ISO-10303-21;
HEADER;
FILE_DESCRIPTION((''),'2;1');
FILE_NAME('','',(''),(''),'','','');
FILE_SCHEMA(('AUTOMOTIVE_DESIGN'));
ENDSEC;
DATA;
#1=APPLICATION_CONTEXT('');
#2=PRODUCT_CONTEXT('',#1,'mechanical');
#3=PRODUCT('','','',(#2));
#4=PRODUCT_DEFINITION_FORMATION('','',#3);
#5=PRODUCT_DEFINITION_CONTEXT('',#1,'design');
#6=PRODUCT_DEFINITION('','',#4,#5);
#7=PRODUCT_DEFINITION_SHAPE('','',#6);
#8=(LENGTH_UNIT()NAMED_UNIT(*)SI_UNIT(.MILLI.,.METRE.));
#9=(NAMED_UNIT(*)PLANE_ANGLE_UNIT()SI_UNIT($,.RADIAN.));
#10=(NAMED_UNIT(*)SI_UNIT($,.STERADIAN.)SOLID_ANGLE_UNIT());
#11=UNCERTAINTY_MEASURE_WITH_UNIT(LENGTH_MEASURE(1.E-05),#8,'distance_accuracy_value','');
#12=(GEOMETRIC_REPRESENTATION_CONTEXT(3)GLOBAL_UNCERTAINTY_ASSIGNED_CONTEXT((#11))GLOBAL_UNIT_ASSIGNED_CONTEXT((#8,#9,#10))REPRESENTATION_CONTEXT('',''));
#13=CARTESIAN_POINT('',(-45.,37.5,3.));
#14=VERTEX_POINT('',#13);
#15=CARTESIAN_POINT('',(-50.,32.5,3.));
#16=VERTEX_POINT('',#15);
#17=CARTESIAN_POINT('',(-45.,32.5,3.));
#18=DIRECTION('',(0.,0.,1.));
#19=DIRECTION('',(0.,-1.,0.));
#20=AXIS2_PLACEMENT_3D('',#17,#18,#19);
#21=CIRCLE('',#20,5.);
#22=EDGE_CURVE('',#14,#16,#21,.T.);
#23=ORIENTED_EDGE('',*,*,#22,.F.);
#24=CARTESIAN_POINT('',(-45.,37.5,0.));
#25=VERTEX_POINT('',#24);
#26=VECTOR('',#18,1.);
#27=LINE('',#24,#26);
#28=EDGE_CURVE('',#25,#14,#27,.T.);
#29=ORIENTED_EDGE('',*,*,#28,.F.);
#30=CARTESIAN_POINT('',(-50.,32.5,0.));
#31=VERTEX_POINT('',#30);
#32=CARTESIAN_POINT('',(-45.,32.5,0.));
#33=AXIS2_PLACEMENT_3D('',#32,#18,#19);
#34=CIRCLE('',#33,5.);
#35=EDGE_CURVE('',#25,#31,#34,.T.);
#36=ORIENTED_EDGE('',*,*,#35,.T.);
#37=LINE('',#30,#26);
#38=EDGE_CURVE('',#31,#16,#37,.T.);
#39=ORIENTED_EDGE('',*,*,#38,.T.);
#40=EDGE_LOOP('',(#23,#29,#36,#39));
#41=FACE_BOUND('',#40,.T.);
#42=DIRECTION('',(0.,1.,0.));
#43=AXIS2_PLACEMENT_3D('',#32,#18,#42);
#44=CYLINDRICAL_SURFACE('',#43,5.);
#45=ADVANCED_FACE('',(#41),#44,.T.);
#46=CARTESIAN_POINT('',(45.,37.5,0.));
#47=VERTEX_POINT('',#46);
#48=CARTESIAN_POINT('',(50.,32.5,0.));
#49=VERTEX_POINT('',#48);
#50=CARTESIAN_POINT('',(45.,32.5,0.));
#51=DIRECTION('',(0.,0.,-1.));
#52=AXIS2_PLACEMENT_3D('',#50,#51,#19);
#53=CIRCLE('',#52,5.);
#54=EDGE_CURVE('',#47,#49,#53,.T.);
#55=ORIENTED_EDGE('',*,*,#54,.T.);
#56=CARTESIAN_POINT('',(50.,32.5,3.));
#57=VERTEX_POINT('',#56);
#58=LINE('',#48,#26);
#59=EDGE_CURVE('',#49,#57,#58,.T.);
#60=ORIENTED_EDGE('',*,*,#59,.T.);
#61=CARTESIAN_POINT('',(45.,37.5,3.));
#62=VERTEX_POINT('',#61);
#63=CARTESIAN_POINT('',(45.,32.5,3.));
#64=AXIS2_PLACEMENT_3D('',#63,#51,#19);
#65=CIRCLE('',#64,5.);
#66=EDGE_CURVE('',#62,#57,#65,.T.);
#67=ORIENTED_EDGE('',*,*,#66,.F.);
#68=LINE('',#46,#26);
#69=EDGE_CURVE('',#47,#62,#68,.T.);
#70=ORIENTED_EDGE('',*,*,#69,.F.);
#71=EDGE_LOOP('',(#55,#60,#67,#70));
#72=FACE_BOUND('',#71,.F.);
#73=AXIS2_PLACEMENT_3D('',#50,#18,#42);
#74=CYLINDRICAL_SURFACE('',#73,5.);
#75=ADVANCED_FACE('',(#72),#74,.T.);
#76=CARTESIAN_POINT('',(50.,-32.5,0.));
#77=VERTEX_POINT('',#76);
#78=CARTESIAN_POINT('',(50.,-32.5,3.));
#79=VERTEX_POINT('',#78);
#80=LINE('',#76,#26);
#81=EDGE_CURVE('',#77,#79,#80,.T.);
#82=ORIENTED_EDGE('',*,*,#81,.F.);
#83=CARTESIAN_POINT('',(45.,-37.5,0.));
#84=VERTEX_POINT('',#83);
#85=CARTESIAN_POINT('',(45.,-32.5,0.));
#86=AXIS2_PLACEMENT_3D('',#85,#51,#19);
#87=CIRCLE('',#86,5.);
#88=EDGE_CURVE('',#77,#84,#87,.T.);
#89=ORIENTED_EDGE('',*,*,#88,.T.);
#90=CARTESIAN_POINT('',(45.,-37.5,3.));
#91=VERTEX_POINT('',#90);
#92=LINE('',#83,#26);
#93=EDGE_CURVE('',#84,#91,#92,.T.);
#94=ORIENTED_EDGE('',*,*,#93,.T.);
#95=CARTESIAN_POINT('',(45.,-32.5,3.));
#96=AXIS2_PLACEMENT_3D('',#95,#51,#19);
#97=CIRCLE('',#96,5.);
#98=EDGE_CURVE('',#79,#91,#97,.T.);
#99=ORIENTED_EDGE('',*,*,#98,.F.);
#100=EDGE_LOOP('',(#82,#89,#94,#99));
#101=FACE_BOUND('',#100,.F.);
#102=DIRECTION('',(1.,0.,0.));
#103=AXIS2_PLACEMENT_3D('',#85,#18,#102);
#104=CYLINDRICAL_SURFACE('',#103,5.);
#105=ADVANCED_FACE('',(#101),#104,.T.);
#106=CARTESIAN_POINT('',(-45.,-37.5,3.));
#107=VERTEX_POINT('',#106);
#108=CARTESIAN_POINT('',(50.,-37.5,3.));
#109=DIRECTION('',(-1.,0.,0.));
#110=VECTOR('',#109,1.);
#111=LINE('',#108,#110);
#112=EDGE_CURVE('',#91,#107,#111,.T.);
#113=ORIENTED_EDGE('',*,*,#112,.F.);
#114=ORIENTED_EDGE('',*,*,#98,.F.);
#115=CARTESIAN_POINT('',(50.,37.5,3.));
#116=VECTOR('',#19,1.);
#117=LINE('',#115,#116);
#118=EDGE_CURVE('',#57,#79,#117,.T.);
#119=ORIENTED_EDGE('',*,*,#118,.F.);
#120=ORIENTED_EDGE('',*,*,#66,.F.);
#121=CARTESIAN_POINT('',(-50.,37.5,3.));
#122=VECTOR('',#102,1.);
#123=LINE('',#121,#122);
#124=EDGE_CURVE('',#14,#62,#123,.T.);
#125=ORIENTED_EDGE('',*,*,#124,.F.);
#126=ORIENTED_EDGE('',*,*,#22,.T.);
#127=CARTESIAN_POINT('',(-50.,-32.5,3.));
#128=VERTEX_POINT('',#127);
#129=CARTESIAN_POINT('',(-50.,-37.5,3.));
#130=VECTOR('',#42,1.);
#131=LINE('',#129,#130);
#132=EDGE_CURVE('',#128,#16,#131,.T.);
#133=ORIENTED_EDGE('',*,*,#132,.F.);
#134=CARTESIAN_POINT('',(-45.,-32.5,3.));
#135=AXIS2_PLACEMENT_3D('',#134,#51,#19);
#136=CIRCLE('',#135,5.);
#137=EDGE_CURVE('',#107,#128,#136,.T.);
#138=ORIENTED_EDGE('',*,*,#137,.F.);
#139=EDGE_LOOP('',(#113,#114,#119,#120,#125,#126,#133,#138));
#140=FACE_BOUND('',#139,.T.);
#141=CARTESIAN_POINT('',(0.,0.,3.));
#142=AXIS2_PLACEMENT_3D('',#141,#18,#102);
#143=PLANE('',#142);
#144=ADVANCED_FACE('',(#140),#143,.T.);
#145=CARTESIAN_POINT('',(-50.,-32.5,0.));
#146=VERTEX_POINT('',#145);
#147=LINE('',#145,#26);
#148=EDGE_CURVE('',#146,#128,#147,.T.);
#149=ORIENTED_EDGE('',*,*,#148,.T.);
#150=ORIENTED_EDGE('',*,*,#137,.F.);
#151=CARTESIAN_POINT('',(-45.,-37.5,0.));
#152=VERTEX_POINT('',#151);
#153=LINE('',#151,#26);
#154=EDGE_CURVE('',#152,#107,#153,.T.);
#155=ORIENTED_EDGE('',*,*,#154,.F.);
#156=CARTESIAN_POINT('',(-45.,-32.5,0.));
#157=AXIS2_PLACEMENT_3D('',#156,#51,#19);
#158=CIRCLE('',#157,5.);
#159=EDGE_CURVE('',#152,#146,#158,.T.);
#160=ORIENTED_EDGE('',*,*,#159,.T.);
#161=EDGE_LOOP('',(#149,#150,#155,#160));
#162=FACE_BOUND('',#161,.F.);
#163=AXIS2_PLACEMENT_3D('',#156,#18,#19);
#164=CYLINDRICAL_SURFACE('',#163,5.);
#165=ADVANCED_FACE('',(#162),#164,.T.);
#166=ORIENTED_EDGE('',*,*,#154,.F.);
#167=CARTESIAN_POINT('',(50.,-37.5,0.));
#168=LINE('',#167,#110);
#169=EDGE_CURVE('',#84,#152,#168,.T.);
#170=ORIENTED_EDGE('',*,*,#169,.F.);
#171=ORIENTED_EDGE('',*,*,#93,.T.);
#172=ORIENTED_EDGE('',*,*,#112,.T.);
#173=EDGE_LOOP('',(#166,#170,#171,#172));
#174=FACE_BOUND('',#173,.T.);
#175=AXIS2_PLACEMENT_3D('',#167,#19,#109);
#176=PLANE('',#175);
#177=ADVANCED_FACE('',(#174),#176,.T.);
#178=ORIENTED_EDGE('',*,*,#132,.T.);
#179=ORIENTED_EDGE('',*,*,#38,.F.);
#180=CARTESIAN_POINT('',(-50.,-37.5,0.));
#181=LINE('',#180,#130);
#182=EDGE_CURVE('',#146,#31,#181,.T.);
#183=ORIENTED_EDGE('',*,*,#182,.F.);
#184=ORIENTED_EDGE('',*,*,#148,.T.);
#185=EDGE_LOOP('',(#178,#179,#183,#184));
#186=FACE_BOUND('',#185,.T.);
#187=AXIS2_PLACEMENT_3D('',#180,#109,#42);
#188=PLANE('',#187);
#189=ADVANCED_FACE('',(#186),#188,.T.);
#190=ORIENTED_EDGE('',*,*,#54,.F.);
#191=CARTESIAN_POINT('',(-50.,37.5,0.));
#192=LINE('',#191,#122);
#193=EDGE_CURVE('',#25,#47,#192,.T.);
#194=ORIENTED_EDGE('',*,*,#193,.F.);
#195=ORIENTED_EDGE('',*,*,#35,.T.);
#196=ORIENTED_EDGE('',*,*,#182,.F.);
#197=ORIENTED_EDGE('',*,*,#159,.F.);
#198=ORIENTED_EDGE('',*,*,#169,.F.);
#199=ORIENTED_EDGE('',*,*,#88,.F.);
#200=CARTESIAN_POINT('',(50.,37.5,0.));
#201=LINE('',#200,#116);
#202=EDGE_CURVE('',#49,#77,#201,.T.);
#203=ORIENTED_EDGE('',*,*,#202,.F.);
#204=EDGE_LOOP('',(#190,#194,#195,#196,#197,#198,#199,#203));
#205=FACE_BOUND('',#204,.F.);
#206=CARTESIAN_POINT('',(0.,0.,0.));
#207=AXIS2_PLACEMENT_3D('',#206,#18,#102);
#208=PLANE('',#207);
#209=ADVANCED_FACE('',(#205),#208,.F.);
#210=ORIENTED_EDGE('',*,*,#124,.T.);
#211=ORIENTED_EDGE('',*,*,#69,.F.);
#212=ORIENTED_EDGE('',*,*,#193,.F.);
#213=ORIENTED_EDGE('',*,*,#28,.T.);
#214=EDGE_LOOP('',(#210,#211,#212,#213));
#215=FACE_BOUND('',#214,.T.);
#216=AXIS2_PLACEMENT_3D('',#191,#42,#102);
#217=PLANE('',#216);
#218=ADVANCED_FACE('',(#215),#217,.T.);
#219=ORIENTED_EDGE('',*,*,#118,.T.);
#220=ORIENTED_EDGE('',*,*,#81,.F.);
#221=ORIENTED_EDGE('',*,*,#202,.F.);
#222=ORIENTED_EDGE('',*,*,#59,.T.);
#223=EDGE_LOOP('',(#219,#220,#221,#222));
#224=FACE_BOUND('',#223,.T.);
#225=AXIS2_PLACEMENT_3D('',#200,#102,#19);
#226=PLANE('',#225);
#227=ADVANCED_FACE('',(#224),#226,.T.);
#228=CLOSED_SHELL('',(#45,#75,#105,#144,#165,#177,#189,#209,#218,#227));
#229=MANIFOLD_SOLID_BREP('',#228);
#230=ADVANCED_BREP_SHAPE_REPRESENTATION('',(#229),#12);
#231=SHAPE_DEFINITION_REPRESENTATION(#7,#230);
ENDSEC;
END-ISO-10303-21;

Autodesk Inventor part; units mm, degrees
ref_plane "YZ Plane" through (0, 0, 0) normal (1, 0, 0) x (0, 1, 0)
ref_plane "XZ Plane" through (0, 0, 0) normal (0, 1, 0) x (-1, 0, 0)
ref_plane "XY Plane" through (0, 0, 0) normal (0, 0, 1) x (1, 0, 0)
sketch "スケッチ1" plane through (0, 0, 0) normal (0, 0, 1) x (1, 0, 0)
  line L0 (-50, 37.5) -> (50, 37.5)
  line L1 (50, 37.5) -> (50, -37.5)
  line L2 (50, -37.5) -> (-50, -37.5)
  line L3 (-50, -37.5) -> (-50, 37.5)
  line L4 (-50, 37.5) -> (50, -37.5) construction
  line L5 (50, 37.5) -> (-50, -37.5) construction
  point P0 (0, 0)
  dimension "d0" = 100
  dimension "d1" = 75
extrude "押し出し1" add sketch "スケッチ1" along normal blind 3
fillet "フィレット1" radius 5 4 edges at (-50, 37.5, 1.5) (50, 37.5, 1.5) (50, -37.5, 1.5) (-50, -37.5, 1.5)
properties part number "hanko_mat"
